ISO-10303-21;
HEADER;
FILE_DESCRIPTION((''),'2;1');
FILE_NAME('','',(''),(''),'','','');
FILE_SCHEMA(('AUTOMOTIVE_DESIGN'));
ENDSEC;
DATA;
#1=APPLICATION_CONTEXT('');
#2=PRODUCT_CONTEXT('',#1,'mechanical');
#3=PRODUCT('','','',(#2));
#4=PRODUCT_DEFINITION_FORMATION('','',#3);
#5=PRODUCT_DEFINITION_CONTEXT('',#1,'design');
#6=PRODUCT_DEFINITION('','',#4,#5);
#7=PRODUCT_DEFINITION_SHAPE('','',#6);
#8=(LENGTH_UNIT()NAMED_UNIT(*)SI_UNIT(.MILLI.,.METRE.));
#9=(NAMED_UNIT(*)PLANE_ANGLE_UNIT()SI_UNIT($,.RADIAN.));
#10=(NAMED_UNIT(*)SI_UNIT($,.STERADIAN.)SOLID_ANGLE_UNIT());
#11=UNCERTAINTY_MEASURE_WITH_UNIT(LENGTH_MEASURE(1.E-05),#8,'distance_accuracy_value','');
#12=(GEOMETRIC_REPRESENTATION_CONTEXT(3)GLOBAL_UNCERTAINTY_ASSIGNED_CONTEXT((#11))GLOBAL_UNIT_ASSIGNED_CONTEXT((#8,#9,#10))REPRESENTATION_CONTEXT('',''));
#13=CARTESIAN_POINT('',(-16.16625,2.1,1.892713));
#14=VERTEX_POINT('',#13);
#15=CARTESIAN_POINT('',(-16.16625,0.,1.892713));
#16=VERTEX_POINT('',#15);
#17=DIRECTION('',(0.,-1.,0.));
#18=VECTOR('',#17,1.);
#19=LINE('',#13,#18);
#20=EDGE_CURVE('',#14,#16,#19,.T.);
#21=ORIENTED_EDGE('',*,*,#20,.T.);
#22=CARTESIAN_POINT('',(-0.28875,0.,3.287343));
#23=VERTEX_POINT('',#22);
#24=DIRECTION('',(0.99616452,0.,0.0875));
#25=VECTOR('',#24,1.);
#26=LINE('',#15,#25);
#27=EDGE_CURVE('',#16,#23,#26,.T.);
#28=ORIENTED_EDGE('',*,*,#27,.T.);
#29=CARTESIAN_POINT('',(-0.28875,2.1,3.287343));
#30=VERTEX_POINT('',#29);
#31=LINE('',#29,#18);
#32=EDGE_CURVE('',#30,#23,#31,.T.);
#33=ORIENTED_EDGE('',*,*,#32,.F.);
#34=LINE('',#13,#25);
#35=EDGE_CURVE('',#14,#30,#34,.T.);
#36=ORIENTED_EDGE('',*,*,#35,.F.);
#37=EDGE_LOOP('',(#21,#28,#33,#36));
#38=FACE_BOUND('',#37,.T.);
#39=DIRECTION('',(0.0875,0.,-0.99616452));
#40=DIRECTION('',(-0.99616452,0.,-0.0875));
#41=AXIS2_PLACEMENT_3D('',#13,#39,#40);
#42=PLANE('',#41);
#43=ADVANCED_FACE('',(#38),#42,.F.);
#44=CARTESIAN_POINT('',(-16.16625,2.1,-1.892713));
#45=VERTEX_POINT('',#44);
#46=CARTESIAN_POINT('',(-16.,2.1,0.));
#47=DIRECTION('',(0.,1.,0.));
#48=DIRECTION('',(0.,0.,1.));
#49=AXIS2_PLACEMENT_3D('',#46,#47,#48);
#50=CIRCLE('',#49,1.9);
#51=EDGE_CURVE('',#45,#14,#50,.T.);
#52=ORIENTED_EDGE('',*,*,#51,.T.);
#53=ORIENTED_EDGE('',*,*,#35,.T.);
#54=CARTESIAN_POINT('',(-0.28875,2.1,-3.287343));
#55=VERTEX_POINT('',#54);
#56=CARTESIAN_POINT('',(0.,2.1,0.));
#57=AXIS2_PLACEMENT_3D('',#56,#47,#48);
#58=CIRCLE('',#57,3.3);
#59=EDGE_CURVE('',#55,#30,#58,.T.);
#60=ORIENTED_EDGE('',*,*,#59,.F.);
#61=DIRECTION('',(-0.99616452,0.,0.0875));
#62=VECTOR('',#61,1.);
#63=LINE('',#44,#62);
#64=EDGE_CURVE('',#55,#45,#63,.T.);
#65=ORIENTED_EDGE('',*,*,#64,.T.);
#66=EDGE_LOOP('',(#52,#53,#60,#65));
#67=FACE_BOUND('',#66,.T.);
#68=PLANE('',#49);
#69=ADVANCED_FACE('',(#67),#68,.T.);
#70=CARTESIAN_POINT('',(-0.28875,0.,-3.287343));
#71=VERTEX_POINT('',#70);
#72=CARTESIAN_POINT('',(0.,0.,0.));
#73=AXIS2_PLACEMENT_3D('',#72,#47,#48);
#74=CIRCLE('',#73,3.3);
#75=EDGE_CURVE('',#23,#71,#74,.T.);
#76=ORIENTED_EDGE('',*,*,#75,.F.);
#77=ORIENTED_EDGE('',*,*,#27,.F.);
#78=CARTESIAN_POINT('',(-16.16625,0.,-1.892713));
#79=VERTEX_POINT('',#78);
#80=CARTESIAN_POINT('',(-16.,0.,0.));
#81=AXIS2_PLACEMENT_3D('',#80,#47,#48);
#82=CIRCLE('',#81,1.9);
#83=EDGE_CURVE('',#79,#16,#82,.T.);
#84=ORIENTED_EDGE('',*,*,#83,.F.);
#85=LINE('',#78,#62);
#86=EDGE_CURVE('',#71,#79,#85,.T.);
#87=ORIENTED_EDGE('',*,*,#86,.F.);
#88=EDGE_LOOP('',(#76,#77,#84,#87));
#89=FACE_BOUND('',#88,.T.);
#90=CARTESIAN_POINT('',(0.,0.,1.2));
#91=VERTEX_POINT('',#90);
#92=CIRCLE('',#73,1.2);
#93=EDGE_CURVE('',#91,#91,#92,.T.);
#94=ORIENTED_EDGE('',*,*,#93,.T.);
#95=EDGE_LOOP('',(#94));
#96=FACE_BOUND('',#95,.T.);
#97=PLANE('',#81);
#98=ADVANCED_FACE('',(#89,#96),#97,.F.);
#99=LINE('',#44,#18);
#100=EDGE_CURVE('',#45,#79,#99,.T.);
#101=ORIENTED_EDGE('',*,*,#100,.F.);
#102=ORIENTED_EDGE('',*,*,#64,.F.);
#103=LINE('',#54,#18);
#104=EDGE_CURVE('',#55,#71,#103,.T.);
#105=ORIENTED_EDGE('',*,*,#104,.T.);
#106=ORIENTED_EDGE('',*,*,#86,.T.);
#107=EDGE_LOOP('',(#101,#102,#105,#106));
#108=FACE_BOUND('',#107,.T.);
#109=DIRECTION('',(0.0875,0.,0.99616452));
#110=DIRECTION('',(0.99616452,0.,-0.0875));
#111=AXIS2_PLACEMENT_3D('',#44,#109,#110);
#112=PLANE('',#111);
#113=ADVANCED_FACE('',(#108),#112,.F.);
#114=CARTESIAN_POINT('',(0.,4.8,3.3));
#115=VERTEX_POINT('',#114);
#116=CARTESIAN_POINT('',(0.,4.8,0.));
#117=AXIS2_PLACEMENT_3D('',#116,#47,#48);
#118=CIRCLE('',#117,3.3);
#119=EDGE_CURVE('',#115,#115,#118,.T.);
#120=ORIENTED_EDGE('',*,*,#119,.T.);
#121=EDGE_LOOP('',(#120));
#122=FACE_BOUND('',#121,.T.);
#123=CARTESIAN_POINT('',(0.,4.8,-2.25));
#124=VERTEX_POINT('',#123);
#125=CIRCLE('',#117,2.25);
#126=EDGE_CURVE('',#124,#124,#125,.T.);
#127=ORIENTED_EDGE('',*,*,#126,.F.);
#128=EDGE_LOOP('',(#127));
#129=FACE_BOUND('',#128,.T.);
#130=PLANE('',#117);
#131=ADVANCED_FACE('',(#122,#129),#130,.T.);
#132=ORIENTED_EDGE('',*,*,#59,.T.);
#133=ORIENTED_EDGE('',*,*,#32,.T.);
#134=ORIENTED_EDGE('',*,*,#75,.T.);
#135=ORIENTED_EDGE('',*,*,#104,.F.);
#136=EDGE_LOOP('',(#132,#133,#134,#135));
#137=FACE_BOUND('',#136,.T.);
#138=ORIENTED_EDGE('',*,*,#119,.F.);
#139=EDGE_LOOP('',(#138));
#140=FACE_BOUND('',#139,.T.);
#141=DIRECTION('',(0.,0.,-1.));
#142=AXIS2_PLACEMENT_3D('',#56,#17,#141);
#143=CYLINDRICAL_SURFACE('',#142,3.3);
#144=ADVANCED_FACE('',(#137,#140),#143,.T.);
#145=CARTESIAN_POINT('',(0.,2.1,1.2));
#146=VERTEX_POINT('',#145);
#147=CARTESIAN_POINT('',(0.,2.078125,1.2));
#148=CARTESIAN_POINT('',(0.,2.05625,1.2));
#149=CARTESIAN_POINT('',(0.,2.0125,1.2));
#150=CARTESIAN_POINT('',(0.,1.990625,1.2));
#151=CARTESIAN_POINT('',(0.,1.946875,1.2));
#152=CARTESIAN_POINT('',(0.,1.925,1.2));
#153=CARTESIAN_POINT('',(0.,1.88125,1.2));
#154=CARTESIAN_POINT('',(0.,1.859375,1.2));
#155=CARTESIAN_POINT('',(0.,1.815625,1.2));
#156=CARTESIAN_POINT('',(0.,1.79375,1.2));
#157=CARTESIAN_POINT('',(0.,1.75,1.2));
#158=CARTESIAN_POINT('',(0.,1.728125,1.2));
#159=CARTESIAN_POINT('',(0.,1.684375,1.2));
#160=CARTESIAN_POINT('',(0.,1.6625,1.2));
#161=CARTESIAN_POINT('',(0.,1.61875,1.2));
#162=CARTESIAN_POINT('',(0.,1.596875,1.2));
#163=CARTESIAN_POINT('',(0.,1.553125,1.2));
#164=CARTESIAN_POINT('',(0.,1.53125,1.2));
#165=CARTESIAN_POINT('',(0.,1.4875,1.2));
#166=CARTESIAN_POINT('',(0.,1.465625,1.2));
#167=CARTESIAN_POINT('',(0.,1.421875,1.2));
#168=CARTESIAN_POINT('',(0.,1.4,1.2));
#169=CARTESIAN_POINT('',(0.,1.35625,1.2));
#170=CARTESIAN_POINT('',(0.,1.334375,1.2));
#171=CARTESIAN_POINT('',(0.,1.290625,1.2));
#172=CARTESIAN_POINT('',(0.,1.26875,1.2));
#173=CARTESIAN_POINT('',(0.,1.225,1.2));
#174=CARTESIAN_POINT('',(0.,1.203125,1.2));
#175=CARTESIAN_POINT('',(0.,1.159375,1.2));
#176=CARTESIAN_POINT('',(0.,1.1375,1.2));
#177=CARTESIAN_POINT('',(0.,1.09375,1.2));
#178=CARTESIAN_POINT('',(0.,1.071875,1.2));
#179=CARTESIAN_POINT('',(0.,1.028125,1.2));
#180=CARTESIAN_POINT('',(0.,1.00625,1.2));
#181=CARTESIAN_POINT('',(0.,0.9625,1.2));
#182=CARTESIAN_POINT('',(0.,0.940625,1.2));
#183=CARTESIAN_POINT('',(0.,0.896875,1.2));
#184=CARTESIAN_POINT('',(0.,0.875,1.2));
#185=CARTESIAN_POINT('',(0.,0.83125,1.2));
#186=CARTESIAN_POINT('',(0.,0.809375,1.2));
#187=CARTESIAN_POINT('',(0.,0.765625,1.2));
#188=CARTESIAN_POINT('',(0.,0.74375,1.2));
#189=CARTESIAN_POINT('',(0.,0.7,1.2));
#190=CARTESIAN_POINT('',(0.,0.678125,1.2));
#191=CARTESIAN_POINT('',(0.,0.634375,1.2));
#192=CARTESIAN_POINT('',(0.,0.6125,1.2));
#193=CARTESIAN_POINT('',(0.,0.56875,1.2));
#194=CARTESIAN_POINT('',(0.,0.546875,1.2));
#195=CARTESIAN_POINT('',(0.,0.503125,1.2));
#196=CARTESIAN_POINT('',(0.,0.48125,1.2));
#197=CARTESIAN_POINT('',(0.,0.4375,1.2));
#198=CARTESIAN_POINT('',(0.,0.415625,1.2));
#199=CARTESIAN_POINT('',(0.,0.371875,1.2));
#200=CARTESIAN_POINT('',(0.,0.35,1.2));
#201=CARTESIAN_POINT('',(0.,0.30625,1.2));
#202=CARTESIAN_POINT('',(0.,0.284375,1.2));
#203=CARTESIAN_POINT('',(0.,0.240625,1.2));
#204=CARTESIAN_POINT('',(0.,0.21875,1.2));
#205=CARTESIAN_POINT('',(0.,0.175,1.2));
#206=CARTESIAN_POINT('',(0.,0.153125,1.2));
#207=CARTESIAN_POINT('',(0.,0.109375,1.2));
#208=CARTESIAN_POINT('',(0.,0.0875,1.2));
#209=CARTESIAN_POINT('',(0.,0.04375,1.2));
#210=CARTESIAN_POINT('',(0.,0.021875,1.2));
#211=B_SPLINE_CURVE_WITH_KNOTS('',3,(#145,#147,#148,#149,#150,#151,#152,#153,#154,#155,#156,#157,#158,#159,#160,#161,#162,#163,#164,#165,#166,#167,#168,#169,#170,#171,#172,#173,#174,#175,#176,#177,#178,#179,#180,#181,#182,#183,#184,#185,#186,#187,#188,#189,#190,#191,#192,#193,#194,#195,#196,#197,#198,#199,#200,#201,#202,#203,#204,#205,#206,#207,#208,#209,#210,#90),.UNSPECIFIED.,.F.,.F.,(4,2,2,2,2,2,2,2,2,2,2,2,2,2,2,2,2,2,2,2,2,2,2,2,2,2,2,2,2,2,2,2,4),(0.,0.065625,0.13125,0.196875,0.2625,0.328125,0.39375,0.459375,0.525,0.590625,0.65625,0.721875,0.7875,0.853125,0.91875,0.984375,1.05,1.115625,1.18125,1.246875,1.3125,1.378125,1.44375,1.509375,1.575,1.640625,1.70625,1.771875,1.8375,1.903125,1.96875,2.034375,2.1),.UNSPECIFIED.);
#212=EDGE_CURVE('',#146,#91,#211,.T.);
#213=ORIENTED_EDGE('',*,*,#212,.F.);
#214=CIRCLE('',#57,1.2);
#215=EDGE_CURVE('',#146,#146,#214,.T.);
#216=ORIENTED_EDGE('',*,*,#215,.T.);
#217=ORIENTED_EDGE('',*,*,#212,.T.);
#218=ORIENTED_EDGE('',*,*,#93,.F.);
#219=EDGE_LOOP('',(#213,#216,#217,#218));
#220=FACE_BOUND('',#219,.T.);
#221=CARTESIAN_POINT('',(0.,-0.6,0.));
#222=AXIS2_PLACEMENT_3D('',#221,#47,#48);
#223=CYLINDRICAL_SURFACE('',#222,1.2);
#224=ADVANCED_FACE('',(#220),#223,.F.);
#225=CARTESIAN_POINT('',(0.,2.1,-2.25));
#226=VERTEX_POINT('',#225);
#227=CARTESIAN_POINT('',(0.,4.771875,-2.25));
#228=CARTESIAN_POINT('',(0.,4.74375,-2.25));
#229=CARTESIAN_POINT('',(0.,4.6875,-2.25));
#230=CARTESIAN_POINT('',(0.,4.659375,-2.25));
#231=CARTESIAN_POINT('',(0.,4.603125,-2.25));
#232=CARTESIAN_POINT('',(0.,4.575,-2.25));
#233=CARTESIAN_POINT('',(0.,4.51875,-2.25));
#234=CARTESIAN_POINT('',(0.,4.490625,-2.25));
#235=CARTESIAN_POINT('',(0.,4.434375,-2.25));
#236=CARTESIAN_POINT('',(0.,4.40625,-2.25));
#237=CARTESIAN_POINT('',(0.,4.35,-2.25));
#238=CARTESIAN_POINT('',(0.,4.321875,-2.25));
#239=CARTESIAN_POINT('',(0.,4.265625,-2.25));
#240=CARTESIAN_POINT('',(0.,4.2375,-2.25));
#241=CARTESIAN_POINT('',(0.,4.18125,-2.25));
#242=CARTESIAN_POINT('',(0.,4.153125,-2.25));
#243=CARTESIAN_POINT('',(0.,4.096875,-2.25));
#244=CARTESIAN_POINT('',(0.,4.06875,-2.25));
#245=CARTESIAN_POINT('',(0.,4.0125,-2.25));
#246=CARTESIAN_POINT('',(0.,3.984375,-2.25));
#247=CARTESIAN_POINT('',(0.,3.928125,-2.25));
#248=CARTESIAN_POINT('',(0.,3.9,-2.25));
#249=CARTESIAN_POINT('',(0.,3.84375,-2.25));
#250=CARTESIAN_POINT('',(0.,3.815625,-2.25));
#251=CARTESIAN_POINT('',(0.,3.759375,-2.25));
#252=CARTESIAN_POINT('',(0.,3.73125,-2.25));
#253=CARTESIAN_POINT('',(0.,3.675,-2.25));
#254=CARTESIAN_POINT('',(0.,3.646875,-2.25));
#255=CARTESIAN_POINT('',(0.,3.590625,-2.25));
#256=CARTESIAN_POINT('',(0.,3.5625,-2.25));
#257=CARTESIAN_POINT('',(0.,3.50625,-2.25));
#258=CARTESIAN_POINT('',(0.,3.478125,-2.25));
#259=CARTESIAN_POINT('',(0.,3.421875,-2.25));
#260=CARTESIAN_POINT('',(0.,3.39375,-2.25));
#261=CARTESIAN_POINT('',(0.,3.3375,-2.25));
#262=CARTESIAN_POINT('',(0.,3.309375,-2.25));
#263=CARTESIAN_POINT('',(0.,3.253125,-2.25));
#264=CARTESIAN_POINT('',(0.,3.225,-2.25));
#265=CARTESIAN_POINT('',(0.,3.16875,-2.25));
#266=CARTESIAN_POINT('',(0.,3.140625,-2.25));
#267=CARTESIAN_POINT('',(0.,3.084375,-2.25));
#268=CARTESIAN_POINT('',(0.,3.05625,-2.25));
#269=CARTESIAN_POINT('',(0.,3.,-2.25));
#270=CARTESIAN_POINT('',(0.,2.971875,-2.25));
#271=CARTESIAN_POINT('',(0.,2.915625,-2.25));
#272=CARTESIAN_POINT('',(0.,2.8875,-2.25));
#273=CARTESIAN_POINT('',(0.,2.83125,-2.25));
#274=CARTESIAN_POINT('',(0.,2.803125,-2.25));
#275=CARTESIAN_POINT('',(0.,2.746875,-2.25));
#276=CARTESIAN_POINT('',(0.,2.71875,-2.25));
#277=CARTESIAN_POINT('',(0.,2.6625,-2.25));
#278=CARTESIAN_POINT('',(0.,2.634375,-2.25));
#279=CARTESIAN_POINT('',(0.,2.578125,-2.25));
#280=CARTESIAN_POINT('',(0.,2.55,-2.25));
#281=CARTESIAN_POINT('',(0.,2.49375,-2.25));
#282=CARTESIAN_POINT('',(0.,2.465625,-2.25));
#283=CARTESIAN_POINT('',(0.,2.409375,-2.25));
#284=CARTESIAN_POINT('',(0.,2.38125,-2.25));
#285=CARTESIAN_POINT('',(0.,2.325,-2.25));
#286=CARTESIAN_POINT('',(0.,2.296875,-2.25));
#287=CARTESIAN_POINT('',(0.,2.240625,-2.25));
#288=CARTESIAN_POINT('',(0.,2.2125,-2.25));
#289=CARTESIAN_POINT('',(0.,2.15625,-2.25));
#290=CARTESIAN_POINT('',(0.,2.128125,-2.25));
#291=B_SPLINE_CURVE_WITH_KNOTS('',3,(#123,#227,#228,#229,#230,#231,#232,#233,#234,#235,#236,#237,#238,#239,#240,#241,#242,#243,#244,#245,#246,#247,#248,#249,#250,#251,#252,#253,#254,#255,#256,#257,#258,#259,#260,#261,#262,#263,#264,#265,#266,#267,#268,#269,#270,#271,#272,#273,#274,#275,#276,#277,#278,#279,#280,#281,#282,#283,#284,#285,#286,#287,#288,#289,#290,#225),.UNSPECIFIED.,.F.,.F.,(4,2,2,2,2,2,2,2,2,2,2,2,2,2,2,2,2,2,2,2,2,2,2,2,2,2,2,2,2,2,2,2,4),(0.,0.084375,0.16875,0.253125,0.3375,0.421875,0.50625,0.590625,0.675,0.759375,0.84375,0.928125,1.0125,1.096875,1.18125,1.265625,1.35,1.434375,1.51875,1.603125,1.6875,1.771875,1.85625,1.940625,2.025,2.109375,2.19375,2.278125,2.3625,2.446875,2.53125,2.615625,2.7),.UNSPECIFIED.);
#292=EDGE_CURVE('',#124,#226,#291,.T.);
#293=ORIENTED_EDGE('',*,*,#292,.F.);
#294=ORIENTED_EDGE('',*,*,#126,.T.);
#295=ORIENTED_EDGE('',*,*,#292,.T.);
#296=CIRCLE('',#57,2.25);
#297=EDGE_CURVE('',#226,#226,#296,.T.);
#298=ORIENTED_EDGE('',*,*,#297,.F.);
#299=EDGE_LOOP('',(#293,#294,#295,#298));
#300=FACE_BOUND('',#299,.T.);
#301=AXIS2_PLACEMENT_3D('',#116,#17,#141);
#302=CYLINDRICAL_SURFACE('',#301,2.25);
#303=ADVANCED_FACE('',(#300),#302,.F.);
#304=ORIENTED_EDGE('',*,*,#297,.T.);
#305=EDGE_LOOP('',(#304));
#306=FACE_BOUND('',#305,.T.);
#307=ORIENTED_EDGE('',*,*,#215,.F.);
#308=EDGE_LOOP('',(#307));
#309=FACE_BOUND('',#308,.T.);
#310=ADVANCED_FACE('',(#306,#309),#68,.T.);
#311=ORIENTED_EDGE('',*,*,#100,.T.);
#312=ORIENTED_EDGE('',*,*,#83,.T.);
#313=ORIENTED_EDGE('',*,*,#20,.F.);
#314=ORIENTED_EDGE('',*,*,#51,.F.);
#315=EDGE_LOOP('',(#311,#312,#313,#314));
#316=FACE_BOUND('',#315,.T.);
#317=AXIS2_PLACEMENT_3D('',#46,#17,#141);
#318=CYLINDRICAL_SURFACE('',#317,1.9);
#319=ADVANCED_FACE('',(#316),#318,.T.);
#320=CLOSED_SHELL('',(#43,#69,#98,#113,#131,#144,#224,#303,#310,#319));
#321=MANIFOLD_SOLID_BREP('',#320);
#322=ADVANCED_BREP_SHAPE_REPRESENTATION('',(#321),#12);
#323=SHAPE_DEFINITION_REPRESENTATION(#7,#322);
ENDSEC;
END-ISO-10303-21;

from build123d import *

# Parameters (mm, degrees)
EXTRUDE_1_DEPTH     = 2.1
SKETCH_3_R          = 3.3
SKETCH_3_R_2        = 2.25
EXTRUDE_2_DEPTH     = 2.7
SKETCH_5_R          = 1.2
CUT_EXTRUDE_1_DEPTH = 2.7


with BuildPart() as part:
    # 草图2 → 凸台-拉伸1 (new body)
    with BuildSketch(Plane(origin=(0, 0, 0), x_dir=(1, 0, 0), z_dir=(0, 1, 0))):
        with BuildLine():
            Line((-16.16625, 1.892712587), (-0.28875, 3.287342914))
            ThreePointArc((-0.28875, 3.287342914), (3.3, 0), (-0.28875, -3.287342914))
            Line((-0.28875, -3.287342914), (-16.16625, -1.892712587))
            ThreePointArc((-16.16625, -1.892712587), (-17.9, 0), (-16.16625, 1.892712587))
        make_face()
    extrude(amount=EXTRUDE_1_DEPTH)

    # 草图3 → 凸台-拉伸2 (add)
    with BuildSketch(Plane(origin=(0, 2.1, 0), x_dir=(1, 0, 0), z_dir=(0, 1, 0))):
        with Locations(Location((0, 0, 0), (0, 0, 95.019800132))):
            Circle(SKETCH_3_R)
        with Locations(Location((0, 0, 0), (0, 0, 90))):
            Circle(SKETCH_3_R_2, mode=Mode.SUBTRACT)
    extrude(amount=EXTRUDE_2_DEPTH)

    # 草图5 → 切除-拉伸1 (cut)
    with BuildSketch(Plane(origin=(0, 2.1, 0), x_dir=(1, 0, 0), z_dir=(0, 1, 0))):
        with Locations(Location((0, 0, 0), (0, 0, 270))):
            Circle(SKETCH_5_R)
    extrude(amount=-CUT_EXTRUDE_1_DEPTH, mode=Mode.SUBTRACT)


solid = part.part
